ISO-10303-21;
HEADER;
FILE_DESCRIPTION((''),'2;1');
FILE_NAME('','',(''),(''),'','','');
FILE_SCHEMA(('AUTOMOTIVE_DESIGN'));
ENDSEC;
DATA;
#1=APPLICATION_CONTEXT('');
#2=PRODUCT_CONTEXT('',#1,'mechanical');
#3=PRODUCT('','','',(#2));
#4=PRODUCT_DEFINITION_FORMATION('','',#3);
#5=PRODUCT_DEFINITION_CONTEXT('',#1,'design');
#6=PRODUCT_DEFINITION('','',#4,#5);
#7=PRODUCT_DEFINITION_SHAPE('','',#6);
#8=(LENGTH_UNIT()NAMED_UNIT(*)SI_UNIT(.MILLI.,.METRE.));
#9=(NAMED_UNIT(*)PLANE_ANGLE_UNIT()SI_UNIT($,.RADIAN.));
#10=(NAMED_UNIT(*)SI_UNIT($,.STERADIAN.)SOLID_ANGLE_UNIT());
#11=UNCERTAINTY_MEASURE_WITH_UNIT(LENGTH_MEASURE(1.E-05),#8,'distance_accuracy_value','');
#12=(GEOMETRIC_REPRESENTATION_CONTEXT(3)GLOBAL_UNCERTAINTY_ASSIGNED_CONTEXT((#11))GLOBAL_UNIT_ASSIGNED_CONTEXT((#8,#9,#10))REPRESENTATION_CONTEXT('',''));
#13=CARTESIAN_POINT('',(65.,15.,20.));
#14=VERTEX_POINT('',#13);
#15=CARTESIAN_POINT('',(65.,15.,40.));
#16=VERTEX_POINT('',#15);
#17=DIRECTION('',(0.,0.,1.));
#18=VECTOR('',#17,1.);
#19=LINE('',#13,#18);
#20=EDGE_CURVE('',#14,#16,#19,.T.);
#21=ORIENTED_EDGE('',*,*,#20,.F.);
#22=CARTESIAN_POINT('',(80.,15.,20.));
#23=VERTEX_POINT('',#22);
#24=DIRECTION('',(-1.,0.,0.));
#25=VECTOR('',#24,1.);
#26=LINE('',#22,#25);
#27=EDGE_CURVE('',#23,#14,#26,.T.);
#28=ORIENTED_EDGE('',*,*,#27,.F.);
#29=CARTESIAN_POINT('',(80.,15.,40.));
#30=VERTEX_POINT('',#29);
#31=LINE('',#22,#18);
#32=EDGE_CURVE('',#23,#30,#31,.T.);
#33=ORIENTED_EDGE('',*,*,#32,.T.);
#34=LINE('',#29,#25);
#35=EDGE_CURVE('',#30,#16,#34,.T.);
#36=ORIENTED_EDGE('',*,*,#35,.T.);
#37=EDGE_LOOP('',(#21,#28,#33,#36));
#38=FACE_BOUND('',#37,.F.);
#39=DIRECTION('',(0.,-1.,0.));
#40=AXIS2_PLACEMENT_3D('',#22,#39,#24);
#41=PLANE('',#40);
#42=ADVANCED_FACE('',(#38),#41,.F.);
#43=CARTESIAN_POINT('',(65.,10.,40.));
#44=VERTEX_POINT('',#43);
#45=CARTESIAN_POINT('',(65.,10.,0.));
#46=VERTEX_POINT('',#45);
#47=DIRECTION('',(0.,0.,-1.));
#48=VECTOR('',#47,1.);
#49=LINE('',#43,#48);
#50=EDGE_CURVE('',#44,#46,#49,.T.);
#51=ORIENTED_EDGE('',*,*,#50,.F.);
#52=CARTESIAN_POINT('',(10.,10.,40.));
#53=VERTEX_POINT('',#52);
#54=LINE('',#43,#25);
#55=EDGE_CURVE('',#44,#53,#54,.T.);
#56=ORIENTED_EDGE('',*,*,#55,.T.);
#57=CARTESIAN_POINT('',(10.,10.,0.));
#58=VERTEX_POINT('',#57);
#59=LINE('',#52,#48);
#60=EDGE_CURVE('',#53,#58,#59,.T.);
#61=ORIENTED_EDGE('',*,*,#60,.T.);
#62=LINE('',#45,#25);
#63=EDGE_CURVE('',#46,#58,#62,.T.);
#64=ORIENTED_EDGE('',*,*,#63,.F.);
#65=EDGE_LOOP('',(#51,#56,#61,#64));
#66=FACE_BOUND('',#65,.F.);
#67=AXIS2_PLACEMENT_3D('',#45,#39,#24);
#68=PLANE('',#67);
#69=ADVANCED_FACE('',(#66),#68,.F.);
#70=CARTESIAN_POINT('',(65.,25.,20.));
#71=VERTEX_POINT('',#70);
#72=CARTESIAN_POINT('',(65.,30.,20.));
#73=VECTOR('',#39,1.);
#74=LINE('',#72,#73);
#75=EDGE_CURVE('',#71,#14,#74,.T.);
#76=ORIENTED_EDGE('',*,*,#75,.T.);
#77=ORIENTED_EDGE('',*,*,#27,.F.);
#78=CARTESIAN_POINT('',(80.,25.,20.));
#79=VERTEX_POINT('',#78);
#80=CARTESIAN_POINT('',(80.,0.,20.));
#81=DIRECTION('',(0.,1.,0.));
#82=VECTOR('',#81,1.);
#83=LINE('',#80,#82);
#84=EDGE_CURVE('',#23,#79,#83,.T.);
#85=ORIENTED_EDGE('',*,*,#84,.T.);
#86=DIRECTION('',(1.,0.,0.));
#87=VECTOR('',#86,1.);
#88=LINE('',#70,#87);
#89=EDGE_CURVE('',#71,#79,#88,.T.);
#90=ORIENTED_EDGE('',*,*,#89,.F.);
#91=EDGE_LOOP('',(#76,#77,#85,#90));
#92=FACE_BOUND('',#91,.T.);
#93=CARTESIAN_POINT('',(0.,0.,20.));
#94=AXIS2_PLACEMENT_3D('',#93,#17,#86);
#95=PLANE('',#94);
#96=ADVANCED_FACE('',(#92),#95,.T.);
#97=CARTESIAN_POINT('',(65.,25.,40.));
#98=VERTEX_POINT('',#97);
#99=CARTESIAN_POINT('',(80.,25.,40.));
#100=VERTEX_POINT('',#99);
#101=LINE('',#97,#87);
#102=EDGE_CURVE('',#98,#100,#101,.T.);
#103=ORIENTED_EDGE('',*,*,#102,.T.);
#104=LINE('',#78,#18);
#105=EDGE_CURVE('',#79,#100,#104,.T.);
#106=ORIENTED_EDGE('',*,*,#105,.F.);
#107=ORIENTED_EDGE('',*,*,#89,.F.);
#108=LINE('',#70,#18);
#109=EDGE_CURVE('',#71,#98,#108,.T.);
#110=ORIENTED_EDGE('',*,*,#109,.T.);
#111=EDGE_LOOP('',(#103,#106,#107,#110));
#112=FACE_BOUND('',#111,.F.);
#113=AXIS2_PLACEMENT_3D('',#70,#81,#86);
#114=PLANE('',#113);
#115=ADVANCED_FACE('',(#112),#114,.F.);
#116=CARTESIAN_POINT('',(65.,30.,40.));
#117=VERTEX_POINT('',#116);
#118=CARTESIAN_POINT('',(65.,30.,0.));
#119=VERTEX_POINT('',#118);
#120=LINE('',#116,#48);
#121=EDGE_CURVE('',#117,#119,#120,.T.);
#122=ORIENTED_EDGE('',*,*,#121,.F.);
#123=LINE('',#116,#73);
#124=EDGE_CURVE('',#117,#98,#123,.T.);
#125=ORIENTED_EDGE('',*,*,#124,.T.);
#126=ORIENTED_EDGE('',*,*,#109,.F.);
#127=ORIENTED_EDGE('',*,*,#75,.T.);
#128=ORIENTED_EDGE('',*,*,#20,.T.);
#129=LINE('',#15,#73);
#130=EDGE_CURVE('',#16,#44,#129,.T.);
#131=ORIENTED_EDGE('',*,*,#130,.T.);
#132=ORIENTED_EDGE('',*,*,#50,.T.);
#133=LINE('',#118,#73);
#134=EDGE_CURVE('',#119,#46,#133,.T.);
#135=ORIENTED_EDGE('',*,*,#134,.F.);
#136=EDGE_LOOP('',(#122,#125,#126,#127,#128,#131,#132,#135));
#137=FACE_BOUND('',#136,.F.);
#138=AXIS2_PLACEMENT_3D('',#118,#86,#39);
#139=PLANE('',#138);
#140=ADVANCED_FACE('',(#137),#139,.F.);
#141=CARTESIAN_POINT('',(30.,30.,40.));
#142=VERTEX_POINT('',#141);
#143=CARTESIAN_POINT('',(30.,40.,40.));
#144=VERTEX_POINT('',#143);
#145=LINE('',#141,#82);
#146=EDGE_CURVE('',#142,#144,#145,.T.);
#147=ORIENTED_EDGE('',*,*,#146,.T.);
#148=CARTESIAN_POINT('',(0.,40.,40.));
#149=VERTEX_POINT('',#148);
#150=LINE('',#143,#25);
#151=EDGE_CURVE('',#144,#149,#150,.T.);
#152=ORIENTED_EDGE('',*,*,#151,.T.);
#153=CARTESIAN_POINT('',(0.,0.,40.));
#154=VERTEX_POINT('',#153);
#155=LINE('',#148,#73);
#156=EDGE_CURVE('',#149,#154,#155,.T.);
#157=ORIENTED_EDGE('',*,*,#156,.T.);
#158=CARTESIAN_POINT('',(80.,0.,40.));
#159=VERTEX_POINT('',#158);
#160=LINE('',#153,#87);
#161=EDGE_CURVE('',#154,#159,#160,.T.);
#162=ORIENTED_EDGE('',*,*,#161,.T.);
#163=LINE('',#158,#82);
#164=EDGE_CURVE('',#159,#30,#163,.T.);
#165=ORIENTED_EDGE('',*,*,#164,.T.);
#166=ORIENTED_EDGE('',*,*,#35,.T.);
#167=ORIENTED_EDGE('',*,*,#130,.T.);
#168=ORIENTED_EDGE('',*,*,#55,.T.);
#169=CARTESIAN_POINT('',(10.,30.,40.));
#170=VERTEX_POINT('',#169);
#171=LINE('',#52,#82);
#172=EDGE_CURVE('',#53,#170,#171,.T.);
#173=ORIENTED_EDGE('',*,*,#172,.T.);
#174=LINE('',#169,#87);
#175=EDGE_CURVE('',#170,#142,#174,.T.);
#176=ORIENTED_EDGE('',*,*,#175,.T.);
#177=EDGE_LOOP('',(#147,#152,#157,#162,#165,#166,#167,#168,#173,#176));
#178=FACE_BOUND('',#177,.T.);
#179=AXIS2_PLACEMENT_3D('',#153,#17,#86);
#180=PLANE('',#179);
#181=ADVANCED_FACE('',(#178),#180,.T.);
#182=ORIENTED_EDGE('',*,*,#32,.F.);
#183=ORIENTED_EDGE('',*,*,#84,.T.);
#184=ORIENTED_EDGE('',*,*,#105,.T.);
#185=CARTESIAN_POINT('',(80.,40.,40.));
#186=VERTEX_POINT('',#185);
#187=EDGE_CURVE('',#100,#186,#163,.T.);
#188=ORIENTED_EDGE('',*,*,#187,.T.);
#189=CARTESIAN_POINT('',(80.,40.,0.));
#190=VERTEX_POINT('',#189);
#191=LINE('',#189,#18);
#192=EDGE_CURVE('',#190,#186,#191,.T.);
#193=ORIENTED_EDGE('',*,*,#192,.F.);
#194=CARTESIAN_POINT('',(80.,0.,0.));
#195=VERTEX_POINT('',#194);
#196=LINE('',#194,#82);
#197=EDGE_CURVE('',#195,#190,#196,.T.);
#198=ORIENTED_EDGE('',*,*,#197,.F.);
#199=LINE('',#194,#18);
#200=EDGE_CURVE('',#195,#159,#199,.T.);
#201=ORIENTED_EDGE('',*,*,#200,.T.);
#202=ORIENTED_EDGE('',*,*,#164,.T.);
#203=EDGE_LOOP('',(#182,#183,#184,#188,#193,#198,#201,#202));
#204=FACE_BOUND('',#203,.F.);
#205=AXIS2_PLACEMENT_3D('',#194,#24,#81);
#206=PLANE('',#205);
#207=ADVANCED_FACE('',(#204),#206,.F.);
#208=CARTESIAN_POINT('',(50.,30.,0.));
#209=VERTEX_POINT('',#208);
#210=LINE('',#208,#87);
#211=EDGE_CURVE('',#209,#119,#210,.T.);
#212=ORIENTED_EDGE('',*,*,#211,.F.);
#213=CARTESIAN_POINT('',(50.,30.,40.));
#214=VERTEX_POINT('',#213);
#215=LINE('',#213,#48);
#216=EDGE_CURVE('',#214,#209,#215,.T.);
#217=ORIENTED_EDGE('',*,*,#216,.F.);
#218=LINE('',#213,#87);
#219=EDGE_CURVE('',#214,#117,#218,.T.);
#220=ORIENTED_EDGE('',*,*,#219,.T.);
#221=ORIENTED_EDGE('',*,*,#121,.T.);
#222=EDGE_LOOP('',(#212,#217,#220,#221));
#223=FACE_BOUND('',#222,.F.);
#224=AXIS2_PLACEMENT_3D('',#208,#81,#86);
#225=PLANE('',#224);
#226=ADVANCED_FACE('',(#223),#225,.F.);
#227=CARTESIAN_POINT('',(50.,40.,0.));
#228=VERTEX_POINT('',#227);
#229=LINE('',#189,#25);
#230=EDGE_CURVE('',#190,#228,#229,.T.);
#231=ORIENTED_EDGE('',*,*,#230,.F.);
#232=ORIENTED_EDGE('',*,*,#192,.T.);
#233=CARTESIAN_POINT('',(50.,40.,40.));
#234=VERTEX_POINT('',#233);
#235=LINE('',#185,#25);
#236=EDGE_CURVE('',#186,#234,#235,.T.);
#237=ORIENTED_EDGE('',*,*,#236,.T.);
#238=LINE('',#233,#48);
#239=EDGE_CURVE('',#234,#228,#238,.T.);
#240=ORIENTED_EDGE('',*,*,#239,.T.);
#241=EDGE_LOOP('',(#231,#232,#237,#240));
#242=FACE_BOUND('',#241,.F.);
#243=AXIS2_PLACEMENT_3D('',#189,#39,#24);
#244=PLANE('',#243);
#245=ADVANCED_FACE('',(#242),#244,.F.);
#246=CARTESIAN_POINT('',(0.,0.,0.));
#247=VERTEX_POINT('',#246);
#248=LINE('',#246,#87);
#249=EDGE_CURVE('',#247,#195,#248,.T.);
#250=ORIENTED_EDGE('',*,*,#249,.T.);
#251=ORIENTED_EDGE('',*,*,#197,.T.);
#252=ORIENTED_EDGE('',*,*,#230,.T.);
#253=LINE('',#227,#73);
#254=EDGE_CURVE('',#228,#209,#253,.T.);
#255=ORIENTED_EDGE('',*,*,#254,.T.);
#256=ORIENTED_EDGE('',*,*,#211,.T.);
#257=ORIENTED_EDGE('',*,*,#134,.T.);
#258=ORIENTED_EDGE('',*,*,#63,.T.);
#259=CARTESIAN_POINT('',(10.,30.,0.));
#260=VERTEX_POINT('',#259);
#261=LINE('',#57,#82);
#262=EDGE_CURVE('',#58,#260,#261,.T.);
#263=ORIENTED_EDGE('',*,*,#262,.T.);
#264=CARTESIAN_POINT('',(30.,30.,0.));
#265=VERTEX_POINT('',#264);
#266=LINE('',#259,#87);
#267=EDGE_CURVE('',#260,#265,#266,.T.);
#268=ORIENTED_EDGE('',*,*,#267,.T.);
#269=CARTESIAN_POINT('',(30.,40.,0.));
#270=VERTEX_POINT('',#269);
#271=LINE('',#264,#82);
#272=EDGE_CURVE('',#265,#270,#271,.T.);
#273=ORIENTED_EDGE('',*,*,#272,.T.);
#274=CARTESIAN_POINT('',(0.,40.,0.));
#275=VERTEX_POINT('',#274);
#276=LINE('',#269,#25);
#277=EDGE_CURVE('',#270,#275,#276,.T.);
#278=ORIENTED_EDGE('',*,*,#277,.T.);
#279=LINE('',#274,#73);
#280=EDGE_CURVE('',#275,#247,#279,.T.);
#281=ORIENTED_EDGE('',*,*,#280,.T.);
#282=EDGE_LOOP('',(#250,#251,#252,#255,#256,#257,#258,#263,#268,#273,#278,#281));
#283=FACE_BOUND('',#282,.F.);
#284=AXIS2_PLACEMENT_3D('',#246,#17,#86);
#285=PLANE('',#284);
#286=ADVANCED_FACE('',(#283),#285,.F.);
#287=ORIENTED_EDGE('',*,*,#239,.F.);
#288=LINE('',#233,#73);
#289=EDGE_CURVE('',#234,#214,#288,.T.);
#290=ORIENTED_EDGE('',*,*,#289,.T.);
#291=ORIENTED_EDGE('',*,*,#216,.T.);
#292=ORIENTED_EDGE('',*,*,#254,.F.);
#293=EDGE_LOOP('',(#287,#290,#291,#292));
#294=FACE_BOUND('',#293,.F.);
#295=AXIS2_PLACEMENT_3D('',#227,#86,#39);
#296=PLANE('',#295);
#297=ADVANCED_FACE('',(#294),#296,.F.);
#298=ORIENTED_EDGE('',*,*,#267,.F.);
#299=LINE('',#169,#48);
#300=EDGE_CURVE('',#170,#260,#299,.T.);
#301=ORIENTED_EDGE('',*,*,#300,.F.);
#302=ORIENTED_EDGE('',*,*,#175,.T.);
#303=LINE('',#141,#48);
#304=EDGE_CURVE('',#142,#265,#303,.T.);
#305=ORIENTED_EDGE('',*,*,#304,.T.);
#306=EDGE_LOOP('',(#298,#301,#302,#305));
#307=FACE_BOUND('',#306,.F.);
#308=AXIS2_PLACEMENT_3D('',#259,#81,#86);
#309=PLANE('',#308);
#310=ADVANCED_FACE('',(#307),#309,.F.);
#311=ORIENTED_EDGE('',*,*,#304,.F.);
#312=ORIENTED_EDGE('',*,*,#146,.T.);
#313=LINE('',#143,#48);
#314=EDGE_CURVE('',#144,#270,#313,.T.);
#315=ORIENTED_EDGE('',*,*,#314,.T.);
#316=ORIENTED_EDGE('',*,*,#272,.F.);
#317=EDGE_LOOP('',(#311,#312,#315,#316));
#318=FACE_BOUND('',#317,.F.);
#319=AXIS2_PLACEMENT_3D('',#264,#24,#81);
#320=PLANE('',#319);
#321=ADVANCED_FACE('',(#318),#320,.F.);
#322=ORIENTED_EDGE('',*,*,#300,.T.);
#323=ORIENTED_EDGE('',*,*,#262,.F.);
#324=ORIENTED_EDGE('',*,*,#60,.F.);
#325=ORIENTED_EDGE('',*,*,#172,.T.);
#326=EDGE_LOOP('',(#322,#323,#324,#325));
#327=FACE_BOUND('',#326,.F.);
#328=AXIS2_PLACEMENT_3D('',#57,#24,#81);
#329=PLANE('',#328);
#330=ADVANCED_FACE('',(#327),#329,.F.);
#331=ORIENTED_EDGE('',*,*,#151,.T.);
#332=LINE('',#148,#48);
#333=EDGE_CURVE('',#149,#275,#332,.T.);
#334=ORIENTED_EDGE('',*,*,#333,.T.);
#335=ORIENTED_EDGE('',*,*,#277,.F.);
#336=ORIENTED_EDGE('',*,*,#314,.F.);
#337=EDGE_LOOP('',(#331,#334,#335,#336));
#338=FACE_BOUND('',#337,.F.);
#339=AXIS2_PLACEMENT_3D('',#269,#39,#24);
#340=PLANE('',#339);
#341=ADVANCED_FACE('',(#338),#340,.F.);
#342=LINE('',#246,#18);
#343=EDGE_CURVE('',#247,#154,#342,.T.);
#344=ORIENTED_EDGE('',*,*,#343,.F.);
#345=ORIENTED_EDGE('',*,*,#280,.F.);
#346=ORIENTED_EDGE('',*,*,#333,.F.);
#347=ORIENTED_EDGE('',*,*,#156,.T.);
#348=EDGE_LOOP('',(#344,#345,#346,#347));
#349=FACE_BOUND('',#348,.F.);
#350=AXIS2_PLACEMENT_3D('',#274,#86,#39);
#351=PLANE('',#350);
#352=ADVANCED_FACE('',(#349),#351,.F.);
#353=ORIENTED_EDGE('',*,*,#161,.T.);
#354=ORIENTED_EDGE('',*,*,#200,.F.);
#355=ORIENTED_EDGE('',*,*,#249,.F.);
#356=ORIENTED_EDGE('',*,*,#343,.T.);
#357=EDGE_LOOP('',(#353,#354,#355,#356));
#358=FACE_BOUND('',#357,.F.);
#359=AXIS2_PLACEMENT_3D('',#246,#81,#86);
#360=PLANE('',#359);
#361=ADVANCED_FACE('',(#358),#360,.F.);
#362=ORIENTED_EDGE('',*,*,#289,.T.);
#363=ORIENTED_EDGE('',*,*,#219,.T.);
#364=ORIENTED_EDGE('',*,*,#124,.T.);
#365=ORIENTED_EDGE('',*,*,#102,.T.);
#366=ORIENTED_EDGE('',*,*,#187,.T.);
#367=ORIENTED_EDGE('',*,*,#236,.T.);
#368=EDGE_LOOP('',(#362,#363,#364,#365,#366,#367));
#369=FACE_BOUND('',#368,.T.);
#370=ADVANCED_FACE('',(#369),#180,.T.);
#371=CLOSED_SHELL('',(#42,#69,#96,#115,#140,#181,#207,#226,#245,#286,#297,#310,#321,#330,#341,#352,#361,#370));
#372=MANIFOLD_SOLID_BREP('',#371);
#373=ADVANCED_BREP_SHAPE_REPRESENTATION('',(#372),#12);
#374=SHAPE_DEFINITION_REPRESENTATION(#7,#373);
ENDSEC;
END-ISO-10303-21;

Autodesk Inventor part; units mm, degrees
ref_plane "YZ Plane" through (0, 0, 0) normal (1, 0, 0) x (0, 1, 0)
ref_plane "XZ Plane" through (0, 0, 0) normal (0, 1, 0) x (-1, 0, 0)
ref_plane "XY Plane" through (0, 0, 0) normal (0, 0, 1) x (1, 0, 0)
sketch "Sketch1" plane through (0, 0, 0) normal (0, 0, 1) x (1, 0, 0)
  line L0 (0, 0) -> (80, 0)
  line L1 (80, 0) -> (80, 40)
  line L2 (80, 40) -> (50, 40)
  line L3 (50, 40) -> (50, 30)
  line L4 (50, 30) -> (65, 30)
  line L5 (65, 30) -> (65, 10)
  line L6 (65, 10) -> (10, 10)
  line L7 (10, 10) -> (10, 30)
  line L8 (10, 30) -> (30, 30)
  line L9 (30, 30) -> (30, 40)
  line L10 (30, 40) -> (0, 40)
  line L11 (0, 40) -> (0, 0)
  dimension "d0" = 80
  dimension "d1" = 40
  dimension "d2" = 30
extrude "Extrusion1" add sketch "Sketch1" along normal blind 20
sketch "Sketch2" plane through (0, 0, 20) normal (0, 0, 1) x (1, 0, 0)
  line L0 (30, 30) -> (30, 40) projected
  line L1 (30, 30) -> (30, 40)
  line L2 (30, 40) -> (0, 40) projected
  line L3 (30, 40) -> (0, 40)
  line L4 (0, 40) -> (0, 0) projected
  line L5 (0, 40) -> (0, 0)
  line L6 (0, 0) -> (80, 0)
  line L7 (80, 0) -> (80, 15)
  line L8 (80, 0) -> (80, 40) projected
  line L9 (80, 15) -> (65, 15)
  line L10 (65, 10) -> (10, 10) projected
  line L11 (65, 15) -> (65, 10)
  line L12 (65, 10) -> (10, 10)
  line L13 (10, 10) -> (10, 30)
  line L14 (10, 30) -> (30, 30) projected
  line L15 (10, 30) -> (30, 30)
  line L16 (80, 40) -> (50, 40) projected
  line L17 (50, 40) -> (50, 30) projected
  line L18 (50, 40) -> (50, 30)
  line L19 (50, 30) -> (65, 30) projected
  line L20 (50, 30) -> (65, 30)
  line L21 (65, 30) -> (65, 25)
  line L22 (65, 30) -> (65, 10) projected
  line L23 (65, 25) -> (80, 25)
  line L24 (80, 25) -> (80, 40)
  line L25 (50, 40) -> (80, 40)
extrude "Extrusion2" add sketch "Sketch2" along normal blind 20 contours L14 L13 L10 L11 L9 L7 L6 L4 L2 L0 | L21 L19 L17 L16 L8 L23
properties part number "P3-3"
